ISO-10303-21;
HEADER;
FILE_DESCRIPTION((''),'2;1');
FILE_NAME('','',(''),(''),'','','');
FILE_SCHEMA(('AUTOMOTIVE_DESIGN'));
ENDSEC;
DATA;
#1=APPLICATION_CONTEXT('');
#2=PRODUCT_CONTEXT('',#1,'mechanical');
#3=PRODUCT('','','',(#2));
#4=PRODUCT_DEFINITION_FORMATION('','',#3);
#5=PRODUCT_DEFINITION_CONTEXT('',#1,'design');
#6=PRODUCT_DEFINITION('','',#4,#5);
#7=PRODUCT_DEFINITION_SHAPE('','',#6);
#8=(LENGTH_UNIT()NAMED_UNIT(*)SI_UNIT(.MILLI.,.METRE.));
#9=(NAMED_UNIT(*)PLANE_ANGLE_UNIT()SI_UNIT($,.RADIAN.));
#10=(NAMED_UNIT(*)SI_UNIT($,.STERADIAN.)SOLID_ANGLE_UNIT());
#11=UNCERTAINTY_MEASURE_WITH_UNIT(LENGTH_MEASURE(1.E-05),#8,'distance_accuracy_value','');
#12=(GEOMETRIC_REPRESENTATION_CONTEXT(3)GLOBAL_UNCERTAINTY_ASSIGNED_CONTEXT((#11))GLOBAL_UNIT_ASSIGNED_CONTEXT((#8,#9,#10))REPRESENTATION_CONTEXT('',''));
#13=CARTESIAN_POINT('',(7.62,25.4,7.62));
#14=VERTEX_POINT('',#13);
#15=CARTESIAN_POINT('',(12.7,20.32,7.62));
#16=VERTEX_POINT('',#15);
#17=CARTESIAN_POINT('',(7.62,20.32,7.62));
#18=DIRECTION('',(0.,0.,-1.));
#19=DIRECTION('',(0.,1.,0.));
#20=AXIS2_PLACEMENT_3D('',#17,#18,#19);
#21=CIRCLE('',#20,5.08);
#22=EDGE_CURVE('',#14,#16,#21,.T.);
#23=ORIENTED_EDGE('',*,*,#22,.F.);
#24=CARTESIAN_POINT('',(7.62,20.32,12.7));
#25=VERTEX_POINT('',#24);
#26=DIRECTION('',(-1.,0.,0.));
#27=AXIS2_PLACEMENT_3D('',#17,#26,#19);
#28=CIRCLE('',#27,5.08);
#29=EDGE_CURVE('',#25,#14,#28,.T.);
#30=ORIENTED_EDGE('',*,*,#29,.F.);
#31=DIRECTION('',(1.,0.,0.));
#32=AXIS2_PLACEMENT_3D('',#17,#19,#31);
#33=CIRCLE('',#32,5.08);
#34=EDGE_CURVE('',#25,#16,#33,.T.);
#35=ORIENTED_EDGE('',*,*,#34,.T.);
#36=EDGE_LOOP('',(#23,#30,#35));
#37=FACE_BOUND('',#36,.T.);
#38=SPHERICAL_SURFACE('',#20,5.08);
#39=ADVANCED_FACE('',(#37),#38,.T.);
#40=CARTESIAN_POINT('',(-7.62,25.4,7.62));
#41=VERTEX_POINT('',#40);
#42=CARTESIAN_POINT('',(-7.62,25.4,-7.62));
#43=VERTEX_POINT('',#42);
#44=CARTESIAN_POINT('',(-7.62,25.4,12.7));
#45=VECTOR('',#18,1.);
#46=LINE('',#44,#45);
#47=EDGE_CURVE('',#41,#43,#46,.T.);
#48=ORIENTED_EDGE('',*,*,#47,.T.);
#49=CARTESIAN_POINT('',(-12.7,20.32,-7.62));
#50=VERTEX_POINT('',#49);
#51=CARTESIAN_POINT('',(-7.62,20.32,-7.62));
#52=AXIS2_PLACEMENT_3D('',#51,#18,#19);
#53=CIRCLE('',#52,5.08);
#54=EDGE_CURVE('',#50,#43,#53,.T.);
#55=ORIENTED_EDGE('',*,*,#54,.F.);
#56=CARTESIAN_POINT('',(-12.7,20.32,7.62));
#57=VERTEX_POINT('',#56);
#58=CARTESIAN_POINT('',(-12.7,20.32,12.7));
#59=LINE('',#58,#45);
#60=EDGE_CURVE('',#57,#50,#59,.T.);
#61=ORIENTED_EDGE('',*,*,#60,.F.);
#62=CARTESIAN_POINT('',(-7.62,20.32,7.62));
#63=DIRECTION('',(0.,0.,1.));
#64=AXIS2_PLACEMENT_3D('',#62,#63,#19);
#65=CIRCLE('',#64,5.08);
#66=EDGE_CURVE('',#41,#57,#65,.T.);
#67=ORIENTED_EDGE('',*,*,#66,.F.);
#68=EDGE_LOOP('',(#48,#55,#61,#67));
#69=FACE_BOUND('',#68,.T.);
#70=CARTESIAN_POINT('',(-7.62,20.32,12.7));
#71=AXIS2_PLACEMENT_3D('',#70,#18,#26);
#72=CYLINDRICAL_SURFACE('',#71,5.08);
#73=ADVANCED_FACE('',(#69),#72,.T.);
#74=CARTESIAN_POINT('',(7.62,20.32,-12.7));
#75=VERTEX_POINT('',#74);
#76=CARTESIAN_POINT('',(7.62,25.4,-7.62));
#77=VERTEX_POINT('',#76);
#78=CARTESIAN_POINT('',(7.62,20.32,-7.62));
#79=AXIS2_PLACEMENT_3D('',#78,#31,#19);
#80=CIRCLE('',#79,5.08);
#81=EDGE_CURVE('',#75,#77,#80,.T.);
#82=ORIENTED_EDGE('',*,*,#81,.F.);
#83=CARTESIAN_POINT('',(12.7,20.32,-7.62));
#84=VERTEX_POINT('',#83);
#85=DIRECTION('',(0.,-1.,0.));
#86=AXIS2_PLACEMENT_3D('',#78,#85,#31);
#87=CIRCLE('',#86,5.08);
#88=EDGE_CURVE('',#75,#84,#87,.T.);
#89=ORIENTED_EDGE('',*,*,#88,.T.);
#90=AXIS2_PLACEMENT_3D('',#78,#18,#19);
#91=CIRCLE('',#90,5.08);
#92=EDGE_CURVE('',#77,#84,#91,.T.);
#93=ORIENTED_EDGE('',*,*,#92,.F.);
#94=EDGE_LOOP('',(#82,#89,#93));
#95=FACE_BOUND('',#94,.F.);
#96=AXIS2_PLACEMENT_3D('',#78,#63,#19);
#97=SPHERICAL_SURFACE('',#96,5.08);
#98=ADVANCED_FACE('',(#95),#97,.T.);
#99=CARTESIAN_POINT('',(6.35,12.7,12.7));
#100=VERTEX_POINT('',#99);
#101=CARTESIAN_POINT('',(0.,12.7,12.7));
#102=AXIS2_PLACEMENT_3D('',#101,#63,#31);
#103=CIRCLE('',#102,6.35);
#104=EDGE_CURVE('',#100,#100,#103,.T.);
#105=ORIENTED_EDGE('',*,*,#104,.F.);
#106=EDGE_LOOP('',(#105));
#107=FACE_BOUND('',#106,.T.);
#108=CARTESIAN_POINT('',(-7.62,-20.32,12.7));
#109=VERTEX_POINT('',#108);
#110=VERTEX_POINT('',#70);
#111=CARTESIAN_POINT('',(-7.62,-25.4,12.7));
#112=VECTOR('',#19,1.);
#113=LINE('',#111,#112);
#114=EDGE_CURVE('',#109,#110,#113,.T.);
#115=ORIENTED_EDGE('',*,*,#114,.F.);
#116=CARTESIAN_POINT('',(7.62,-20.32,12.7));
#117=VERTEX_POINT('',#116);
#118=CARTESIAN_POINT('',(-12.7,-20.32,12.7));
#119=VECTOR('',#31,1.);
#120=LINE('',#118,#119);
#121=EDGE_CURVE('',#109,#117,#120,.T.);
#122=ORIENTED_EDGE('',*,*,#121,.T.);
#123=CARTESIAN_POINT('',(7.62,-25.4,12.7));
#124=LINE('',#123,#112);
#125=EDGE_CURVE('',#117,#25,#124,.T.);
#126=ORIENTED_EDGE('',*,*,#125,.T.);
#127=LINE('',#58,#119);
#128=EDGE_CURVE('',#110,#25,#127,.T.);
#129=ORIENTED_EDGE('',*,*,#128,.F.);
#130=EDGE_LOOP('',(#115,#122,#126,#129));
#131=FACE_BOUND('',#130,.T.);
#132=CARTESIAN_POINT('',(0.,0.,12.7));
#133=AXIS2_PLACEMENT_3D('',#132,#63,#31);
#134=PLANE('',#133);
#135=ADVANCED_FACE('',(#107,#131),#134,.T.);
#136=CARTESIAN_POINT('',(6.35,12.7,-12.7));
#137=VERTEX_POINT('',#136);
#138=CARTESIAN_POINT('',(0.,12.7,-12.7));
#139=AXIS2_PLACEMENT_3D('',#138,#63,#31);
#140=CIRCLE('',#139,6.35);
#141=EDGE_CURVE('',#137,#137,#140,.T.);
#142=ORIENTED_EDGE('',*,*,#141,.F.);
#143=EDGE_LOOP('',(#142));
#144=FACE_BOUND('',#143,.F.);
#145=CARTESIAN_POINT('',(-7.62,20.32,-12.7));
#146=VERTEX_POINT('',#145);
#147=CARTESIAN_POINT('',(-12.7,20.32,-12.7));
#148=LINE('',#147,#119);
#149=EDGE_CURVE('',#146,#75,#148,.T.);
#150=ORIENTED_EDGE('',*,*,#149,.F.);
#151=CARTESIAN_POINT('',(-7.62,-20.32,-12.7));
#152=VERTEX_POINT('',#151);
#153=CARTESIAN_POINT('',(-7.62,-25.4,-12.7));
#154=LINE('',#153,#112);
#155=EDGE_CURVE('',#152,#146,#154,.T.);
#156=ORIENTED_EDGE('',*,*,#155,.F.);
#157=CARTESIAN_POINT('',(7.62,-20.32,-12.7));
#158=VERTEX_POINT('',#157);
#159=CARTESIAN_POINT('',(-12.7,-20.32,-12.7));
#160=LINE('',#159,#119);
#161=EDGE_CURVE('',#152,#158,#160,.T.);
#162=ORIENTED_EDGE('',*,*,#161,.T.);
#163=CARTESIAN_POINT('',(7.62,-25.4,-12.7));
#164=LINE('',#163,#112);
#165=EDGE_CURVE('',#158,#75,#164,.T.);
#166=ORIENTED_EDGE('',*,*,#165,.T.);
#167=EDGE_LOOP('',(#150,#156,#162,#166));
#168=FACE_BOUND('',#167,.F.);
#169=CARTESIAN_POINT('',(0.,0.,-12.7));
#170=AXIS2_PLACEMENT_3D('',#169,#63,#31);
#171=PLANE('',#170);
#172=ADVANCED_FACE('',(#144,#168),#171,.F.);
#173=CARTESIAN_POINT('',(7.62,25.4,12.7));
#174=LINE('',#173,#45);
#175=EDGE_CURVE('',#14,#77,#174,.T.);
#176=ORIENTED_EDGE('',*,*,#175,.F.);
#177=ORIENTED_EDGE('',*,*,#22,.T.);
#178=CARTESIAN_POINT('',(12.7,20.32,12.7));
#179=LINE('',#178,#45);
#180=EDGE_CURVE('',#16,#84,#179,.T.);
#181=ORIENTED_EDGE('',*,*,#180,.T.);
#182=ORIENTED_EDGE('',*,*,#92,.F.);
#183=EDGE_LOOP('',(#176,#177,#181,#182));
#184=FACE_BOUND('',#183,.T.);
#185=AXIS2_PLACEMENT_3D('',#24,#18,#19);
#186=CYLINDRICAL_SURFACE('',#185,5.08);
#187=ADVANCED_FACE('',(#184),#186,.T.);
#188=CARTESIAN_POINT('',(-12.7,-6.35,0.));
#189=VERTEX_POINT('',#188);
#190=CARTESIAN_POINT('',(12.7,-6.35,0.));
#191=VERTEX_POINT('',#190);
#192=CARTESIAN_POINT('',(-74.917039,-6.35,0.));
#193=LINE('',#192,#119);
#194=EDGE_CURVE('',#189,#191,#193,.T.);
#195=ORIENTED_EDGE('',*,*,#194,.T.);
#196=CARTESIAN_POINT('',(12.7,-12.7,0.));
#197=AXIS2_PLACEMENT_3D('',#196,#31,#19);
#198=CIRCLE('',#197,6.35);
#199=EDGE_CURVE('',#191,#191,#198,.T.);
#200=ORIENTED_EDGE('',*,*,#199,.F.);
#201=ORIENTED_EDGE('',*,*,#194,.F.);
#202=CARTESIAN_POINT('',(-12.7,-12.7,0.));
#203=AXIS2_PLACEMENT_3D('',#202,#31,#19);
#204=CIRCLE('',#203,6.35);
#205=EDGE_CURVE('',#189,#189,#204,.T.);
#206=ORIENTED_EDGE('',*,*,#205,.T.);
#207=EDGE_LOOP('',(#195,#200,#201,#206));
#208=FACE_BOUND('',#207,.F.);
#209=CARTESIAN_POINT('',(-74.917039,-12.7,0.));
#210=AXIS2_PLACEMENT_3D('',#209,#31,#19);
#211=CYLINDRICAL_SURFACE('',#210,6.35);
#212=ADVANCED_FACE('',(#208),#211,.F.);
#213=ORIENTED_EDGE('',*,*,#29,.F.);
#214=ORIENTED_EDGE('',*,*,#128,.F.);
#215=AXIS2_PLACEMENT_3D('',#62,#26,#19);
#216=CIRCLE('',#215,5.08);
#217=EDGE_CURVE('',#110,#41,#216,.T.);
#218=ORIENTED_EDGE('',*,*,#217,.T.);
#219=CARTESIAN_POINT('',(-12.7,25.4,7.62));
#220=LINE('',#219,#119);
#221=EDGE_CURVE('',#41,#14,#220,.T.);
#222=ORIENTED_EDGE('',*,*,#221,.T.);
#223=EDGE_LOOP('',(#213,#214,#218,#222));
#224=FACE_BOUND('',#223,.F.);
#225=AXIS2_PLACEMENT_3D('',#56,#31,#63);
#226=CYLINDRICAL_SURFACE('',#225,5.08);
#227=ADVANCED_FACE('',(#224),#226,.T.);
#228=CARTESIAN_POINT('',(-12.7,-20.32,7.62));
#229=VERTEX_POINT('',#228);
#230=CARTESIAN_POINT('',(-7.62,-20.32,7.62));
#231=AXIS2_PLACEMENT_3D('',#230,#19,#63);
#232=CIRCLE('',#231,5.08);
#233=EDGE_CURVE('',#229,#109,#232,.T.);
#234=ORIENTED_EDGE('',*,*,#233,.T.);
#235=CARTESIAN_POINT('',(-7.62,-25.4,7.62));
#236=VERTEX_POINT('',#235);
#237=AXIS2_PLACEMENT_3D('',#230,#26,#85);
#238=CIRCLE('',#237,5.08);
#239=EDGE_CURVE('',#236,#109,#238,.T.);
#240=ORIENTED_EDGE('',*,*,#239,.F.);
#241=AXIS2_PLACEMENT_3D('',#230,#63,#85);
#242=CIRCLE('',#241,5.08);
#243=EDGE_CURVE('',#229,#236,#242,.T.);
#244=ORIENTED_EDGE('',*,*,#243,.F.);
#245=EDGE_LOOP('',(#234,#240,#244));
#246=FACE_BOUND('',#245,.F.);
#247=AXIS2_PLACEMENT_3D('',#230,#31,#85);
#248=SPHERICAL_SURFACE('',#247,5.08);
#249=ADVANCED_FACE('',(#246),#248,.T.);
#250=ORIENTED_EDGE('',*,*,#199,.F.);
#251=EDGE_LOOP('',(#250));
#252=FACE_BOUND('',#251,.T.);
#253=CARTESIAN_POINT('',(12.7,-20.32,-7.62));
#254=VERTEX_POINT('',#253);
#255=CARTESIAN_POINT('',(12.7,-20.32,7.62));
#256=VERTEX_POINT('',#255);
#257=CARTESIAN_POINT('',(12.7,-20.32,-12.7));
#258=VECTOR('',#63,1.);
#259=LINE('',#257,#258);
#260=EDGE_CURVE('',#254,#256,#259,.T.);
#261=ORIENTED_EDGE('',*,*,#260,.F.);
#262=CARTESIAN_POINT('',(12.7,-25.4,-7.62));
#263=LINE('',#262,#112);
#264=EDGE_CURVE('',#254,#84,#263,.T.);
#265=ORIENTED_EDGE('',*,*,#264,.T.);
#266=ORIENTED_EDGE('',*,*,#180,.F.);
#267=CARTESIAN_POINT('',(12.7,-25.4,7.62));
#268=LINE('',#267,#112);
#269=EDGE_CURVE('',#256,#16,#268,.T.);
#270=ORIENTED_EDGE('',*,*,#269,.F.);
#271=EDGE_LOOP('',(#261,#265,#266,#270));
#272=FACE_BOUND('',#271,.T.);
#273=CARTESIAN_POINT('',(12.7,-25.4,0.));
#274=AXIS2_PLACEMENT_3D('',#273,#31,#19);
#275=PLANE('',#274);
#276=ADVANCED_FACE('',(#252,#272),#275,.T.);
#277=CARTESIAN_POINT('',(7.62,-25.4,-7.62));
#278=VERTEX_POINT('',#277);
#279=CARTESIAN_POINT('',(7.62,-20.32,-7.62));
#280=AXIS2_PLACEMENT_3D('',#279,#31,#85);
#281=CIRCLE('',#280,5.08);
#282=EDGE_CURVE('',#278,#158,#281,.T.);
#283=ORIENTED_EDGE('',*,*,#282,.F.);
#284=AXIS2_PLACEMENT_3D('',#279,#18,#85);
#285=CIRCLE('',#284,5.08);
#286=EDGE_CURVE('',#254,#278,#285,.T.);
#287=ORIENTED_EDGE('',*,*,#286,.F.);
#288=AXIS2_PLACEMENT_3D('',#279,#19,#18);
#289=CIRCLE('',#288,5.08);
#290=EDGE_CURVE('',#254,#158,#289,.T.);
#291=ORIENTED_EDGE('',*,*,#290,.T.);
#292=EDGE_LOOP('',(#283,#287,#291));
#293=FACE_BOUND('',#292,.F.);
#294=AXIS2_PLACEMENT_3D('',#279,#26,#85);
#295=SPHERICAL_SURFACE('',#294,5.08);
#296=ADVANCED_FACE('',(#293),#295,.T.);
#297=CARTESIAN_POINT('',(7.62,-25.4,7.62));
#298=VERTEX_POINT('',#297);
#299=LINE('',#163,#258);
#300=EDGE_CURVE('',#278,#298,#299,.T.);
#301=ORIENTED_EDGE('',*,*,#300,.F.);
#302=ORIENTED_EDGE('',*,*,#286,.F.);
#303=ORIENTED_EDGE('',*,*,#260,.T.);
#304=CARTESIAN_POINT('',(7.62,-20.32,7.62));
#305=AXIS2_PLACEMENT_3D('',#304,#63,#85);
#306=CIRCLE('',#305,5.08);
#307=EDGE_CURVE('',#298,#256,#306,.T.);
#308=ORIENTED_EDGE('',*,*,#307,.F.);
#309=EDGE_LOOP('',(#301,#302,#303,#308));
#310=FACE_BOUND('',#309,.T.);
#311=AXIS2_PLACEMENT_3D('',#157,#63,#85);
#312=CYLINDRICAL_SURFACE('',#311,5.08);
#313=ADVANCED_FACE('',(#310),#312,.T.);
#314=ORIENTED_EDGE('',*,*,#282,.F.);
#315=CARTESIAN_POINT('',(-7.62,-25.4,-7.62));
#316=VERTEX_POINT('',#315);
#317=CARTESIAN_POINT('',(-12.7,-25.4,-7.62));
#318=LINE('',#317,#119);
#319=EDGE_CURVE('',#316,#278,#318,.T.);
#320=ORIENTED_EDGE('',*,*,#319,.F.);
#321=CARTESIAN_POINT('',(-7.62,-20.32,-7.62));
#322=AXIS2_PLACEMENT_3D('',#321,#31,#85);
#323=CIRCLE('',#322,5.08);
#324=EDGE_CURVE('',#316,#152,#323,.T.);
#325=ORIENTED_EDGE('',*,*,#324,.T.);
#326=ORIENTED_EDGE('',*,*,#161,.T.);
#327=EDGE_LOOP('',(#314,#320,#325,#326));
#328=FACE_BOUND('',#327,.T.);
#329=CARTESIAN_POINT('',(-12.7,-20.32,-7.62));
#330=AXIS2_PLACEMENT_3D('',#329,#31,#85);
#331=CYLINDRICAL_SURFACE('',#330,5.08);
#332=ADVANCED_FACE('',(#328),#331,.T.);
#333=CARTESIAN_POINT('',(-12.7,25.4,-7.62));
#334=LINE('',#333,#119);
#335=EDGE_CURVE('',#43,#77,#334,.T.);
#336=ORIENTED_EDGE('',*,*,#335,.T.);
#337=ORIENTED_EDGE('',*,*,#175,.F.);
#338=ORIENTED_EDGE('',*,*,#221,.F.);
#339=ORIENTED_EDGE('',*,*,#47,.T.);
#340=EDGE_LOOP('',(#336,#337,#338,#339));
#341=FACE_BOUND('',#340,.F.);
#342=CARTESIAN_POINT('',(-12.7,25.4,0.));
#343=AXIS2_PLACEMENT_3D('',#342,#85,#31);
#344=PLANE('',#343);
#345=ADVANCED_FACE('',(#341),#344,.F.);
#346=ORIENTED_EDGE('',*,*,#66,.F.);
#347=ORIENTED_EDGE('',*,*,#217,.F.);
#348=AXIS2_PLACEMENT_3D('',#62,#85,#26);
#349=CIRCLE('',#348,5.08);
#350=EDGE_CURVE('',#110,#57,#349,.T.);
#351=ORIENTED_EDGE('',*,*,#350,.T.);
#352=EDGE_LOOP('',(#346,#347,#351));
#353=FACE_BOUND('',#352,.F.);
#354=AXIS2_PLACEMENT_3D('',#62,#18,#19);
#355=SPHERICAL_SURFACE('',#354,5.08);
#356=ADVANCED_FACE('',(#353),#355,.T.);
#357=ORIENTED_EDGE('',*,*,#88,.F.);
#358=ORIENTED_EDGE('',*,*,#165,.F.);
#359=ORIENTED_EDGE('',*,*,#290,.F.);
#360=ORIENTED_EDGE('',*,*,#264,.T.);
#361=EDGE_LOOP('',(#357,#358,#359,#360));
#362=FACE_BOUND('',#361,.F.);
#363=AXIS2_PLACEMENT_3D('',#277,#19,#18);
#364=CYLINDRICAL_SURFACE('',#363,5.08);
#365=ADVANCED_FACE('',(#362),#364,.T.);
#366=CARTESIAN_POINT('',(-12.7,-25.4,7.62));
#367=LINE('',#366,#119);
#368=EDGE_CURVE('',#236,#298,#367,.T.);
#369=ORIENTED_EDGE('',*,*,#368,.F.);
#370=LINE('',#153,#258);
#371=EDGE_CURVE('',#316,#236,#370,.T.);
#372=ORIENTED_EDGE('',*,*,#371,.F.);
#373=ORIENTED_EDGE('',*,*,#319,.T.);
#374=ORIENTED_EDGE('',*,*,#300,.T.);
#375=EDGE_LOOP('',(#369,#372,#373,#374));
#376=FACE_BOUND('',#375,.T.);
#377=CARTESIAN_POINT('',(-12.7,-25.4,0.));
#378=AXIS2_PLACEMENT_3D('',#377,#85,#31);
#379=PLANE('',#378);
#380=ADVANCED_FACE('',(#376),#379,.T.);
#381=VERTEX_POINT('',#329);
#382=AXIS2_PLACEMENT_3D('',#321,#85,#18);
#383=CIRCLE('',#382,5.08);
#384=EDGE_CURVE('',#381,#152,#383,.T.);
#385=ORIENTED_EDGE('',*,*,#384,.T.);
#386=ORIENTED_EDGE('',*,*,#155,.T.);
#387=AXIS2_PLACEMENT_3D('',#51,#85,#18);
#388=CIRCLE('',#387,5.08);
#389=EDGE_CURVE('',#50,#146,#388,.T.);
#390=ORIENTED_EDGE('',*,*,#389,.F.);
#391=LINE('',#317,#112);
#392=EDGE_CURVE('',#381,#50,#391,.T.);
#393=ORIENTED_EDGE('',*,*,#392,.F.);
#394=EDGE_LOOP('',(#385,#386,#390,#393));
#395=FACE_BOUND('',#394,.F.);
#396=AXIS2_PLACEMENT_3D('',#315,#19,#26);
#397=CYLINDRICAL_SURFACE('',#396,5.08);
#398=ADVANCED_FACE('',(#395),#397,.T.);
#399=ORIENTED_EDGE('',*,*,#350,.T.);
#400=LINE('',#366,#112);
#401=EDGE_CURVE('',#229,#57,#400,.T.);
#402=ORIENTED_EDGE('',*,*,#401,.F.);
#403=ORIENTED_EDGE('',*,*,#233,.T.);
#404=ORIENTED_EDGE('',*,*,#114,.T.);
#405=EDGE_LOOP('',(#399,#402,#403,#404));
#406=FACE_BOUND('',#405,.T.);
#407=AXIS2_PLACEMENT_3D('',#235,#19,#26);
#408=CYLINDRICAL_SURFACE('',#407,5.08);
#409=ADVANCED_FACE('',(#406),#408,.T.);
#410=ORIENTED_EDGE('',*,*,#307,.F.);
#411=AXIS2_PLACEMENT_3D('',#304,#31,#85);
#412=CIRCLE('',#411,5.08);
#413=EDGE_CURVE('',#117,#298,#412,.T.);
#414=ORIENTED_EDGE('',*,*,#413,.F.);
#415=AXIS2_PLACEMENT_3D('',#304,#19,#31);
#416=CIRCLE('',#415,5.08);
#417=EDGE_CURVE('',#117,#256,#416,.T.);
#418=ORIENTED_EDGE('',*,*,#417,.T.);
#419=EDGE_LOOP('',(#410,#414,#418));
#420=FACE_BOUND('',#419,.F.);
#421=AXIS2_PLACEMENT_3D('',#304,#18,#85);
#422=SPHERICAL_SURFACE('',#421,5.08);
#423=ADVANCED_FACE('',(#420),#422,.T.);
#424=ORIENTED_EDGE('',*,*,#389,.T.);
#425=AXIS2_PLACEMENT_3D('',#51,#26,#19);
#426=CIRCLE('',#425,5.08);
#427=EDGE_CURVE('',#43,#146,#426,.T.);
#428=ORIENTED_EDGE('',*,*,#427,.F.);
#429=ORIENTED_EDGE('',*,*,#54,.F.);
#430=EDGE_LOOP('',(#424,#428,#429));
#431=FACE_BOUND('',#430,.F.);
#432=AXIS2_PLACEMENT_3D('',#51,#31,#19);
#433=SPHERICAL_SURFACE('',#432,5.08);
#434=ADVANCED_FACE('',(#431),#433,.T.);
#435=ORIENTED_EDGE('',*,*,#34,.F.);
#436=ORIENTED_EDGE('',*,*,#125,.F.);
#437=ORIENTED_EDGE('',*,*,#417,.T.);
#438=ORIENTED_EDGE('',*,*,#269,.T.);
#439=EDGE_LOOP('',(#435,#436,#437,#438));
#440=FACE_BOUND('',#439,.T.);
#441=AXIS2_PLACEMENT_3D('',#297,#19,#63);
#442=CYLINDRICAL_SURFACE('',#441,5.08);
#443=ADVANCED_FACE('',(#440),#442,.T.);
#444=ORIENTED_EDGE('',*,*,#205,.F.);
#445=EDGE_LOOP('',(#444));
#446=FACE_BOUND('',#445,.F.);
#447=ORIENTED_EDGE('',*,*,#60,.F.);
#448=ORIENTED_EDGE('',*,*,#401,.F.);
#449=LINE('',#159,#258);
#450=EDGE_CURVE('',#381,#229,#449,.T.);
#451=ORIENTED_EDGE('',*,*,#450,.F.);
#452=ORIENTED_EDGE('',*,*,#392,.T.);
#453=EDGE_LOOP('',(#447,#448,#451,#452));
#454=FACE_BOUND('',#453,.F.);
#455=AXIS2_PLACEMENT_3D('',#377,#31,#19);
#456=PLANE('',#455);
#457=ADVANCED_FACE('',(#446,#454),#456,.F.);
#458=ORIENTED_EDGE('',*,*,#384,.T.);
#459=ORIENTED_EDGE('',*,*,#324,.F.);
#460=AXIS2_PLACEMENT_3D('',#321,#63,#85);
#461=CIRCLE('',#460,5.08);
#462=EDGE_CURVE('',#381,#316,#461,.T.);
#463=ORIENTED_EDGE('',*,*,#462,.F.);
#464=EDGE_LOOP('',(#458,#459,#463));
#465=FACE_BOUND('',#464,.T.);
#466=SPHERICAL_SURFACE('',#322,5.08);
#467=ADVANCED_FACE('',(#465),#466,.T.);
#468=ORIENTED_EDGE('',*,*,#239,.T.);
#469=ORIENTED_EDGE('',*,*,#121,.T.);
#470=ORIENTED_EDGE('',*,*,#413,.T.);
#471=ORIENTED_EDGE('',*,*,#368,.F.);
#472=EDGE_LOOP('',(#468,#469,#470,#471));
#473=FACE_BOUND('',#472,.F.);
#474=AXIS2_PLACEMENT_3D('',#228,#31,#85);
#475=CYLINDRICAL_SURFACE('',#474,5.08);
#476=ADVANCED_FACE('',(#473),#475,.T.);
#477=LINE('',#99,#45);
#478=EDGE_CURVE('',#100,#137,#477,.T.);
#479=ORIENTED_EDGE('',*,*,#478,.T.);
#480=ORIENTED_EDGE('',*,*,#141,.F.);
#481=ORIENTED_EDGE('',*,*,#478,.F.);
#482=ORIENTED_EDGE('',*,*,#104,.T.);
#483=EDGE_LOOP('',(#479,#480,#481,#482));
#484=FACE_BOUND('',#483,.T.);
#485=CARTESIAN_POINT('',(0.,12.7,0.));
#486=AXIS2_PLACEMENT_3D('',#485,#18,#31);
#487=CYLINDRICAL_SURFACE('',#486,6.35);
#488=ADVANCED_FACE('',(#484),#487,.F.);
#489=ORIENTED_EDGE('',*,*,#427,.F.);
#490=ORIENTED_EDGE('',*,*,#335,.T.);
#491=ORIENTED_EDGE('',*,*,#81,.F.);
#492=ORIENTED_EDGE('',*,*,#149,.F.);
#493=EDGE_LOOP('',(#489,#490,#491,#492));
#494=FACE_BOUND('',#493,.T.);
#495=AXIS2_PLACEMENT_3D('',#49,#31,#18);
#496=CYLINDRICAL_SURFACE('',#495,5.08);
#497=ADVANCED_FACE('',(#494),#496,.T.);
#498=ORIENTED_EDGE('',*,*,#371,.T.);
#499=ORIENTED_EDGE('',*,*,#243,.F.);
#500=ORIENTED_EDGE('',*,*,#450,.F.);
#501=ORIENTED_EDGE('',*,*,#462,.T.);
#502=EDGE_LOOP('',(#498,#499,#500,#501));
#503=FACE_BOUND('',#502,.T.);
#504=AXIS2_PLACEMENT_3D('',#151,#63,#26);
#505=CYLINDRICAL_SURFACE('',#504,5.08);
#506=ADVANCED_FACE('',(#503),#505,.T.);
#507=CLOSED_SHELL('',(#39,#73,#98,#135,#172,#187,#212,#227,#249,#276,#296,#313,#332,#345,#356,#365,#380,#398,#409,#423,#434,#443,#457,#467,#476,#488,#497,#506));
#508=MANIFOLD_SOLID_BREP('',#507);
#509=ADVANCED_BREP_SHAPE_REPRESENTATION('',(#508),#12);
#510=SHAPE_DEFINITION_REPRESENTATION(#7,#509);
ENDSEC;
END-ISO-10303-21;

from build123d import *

# Parameters (mm, degrees)
F0_W     = 25.4
F0_H     = 50.8
F0_R     = 6.35
F1_DEPTH = 12.7
F3_D     = 12.7
F4_R     = 5.08


with BuildPart() as f1:
    # F0 (on Top) → F1 (new body, symmetric)
    with BuildSketch(Plane.XY):
        Rectangle(F0_W, F0_H)
        with Locations((0, 12.7)):
            Circle(F0_R, mode=Mode.SUBTRACT)
    extrude(amount=F1_DEPTH, both=True)

    # F3 (through all)
    with Locations(Plane(origin=(-12.7, 0, 0), x_dir=(0, -1, 0), z_dir=(-1, 0, 0))):
        with Locations((12.7, 0)):
            Hole(F3_D / 2)

    # F4
    f4_edges = [f1.edges().sort_by_distance(p)[0] for p in [
        (0, -25.4, -12.7),
        (12.7, -25.4, 0),
        (0, -25.4, 12.7),
        (-12.7, -25.4, 0),
        (12.7, 25.4, 0),
        (0, 25.4, -12.7),
        (-12.7, 25.4, 0),
        (0, 25.4, 12.7),
        (-12.7, 0, -12.7),
        (12.7, 0, -12.7),
        (12.7, 0, 12.7),
        (-12.7, 0, 12.7),
    ]]
    fillet(f4_edges, radius=F4_R)


solid = f1.part
